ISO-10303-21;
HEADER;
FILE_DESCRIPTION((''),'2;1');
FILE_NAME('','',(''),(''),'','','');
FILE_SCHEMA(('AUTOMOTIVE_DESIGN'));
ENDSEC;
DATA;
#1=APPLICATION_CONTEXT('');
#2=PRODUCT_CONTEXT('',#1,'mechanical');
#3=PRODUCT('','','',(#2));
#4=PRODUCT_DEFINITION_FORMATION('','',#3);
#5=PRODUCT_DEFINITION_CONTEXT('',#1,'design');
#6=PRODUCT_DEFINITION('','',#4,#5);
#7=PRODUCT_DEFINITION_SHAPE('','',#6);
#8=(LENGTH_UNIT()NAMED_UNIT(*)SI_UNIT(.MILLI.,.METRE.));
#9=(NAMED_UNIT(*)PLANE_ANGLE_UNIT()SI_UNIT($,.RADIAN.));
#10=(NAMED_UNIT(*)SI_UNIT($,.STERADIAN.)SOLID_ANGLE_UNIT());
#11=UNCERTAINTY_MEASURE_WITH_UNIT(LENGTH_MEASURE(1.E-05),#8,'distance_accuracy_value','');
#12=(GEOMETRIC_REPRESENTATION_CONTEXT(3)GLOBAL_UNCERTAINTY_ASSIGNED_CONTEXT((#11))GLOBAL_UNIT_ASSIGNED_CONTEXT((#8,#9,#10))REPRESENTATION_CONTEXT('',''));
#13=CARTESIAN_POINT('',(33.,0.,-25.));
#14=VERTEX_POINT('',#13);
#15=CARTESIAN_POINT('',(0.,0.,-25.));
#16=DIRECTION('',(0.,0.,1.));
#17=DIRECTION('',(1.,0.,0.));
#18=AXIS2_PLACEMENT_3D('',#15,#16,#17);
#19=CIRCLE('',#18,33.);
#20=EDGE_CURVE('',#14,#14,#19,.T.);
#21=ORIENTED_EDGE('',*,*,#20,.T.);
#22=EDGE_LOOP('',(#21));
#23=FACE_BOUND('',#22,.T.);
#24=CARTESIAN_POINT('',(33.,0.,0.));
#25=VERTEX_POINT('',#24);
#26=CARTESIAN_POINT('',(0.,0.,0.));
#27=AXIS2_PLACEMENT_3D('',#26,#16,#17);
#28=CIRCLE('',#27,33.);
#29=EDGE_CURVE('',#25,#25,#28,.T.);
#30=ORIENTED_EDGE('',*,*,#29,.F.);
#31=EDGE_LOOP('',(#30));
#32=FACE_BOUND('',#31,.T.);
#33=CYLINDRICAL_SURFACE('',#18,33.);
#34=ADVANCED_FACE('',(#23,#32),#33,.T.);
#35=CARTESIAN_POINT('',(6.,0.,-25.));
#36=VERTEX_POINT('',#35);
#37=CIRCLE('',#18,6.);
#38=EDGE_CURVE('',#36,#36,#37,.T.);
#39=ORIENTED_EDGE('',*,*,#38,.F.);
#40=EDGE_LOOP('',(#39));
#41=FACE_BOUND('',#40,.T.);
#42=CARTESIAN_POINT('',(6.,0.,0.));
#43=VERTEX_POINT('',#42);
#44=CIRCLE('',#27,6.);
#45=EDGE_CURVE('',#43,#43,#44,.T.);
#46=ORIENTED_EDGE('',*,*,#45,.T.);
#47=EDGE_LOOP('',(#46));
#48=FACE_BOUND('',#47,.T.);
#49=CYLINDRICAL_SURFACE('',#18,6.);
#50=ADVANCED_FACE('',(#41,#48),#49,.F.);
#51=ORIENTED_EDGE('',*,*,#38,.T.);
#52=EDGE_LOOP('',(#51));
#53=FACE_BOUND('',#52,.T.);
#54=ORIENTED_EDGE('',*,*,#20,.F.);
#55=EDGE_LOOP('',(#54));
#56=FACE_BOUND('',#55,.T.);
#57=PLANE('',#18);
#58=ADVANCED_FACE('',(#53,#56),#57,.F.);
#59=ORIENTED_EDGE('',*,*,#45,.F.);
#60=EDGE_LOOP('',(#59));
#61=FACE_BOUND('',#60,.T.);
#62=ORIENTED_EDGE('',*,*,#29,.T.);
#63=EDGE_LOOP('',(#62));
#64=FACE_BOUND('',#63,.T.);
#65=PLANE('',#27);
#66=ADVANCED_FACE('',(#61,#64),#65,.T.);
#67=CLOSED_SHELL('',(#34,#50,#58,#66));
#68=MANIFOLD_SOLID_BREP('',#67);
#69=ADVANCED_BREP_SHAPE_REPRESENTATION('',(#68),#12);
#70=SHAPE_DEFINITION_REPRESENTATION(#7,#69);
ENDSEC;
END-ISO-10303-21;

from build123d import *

# Parameters (mm, degrees)
SKETCH1_R           = 33
SKETCH1_R_2         = 6
BOSS_EXTRUDE1_DEPTH = 25


with BuildPart() as part:
    # Sketch1 → Boss-Extrude1 (new body)
    with BuildSketch(Plane.XY):
        Circle(SKETCH1_R)
        Circle(SKETCH1_R_2, mode=Mode.SUBTRACT)
    extrude(amount=-BOSS_EXTRUDE1_DEPTH)


solid = part.part
